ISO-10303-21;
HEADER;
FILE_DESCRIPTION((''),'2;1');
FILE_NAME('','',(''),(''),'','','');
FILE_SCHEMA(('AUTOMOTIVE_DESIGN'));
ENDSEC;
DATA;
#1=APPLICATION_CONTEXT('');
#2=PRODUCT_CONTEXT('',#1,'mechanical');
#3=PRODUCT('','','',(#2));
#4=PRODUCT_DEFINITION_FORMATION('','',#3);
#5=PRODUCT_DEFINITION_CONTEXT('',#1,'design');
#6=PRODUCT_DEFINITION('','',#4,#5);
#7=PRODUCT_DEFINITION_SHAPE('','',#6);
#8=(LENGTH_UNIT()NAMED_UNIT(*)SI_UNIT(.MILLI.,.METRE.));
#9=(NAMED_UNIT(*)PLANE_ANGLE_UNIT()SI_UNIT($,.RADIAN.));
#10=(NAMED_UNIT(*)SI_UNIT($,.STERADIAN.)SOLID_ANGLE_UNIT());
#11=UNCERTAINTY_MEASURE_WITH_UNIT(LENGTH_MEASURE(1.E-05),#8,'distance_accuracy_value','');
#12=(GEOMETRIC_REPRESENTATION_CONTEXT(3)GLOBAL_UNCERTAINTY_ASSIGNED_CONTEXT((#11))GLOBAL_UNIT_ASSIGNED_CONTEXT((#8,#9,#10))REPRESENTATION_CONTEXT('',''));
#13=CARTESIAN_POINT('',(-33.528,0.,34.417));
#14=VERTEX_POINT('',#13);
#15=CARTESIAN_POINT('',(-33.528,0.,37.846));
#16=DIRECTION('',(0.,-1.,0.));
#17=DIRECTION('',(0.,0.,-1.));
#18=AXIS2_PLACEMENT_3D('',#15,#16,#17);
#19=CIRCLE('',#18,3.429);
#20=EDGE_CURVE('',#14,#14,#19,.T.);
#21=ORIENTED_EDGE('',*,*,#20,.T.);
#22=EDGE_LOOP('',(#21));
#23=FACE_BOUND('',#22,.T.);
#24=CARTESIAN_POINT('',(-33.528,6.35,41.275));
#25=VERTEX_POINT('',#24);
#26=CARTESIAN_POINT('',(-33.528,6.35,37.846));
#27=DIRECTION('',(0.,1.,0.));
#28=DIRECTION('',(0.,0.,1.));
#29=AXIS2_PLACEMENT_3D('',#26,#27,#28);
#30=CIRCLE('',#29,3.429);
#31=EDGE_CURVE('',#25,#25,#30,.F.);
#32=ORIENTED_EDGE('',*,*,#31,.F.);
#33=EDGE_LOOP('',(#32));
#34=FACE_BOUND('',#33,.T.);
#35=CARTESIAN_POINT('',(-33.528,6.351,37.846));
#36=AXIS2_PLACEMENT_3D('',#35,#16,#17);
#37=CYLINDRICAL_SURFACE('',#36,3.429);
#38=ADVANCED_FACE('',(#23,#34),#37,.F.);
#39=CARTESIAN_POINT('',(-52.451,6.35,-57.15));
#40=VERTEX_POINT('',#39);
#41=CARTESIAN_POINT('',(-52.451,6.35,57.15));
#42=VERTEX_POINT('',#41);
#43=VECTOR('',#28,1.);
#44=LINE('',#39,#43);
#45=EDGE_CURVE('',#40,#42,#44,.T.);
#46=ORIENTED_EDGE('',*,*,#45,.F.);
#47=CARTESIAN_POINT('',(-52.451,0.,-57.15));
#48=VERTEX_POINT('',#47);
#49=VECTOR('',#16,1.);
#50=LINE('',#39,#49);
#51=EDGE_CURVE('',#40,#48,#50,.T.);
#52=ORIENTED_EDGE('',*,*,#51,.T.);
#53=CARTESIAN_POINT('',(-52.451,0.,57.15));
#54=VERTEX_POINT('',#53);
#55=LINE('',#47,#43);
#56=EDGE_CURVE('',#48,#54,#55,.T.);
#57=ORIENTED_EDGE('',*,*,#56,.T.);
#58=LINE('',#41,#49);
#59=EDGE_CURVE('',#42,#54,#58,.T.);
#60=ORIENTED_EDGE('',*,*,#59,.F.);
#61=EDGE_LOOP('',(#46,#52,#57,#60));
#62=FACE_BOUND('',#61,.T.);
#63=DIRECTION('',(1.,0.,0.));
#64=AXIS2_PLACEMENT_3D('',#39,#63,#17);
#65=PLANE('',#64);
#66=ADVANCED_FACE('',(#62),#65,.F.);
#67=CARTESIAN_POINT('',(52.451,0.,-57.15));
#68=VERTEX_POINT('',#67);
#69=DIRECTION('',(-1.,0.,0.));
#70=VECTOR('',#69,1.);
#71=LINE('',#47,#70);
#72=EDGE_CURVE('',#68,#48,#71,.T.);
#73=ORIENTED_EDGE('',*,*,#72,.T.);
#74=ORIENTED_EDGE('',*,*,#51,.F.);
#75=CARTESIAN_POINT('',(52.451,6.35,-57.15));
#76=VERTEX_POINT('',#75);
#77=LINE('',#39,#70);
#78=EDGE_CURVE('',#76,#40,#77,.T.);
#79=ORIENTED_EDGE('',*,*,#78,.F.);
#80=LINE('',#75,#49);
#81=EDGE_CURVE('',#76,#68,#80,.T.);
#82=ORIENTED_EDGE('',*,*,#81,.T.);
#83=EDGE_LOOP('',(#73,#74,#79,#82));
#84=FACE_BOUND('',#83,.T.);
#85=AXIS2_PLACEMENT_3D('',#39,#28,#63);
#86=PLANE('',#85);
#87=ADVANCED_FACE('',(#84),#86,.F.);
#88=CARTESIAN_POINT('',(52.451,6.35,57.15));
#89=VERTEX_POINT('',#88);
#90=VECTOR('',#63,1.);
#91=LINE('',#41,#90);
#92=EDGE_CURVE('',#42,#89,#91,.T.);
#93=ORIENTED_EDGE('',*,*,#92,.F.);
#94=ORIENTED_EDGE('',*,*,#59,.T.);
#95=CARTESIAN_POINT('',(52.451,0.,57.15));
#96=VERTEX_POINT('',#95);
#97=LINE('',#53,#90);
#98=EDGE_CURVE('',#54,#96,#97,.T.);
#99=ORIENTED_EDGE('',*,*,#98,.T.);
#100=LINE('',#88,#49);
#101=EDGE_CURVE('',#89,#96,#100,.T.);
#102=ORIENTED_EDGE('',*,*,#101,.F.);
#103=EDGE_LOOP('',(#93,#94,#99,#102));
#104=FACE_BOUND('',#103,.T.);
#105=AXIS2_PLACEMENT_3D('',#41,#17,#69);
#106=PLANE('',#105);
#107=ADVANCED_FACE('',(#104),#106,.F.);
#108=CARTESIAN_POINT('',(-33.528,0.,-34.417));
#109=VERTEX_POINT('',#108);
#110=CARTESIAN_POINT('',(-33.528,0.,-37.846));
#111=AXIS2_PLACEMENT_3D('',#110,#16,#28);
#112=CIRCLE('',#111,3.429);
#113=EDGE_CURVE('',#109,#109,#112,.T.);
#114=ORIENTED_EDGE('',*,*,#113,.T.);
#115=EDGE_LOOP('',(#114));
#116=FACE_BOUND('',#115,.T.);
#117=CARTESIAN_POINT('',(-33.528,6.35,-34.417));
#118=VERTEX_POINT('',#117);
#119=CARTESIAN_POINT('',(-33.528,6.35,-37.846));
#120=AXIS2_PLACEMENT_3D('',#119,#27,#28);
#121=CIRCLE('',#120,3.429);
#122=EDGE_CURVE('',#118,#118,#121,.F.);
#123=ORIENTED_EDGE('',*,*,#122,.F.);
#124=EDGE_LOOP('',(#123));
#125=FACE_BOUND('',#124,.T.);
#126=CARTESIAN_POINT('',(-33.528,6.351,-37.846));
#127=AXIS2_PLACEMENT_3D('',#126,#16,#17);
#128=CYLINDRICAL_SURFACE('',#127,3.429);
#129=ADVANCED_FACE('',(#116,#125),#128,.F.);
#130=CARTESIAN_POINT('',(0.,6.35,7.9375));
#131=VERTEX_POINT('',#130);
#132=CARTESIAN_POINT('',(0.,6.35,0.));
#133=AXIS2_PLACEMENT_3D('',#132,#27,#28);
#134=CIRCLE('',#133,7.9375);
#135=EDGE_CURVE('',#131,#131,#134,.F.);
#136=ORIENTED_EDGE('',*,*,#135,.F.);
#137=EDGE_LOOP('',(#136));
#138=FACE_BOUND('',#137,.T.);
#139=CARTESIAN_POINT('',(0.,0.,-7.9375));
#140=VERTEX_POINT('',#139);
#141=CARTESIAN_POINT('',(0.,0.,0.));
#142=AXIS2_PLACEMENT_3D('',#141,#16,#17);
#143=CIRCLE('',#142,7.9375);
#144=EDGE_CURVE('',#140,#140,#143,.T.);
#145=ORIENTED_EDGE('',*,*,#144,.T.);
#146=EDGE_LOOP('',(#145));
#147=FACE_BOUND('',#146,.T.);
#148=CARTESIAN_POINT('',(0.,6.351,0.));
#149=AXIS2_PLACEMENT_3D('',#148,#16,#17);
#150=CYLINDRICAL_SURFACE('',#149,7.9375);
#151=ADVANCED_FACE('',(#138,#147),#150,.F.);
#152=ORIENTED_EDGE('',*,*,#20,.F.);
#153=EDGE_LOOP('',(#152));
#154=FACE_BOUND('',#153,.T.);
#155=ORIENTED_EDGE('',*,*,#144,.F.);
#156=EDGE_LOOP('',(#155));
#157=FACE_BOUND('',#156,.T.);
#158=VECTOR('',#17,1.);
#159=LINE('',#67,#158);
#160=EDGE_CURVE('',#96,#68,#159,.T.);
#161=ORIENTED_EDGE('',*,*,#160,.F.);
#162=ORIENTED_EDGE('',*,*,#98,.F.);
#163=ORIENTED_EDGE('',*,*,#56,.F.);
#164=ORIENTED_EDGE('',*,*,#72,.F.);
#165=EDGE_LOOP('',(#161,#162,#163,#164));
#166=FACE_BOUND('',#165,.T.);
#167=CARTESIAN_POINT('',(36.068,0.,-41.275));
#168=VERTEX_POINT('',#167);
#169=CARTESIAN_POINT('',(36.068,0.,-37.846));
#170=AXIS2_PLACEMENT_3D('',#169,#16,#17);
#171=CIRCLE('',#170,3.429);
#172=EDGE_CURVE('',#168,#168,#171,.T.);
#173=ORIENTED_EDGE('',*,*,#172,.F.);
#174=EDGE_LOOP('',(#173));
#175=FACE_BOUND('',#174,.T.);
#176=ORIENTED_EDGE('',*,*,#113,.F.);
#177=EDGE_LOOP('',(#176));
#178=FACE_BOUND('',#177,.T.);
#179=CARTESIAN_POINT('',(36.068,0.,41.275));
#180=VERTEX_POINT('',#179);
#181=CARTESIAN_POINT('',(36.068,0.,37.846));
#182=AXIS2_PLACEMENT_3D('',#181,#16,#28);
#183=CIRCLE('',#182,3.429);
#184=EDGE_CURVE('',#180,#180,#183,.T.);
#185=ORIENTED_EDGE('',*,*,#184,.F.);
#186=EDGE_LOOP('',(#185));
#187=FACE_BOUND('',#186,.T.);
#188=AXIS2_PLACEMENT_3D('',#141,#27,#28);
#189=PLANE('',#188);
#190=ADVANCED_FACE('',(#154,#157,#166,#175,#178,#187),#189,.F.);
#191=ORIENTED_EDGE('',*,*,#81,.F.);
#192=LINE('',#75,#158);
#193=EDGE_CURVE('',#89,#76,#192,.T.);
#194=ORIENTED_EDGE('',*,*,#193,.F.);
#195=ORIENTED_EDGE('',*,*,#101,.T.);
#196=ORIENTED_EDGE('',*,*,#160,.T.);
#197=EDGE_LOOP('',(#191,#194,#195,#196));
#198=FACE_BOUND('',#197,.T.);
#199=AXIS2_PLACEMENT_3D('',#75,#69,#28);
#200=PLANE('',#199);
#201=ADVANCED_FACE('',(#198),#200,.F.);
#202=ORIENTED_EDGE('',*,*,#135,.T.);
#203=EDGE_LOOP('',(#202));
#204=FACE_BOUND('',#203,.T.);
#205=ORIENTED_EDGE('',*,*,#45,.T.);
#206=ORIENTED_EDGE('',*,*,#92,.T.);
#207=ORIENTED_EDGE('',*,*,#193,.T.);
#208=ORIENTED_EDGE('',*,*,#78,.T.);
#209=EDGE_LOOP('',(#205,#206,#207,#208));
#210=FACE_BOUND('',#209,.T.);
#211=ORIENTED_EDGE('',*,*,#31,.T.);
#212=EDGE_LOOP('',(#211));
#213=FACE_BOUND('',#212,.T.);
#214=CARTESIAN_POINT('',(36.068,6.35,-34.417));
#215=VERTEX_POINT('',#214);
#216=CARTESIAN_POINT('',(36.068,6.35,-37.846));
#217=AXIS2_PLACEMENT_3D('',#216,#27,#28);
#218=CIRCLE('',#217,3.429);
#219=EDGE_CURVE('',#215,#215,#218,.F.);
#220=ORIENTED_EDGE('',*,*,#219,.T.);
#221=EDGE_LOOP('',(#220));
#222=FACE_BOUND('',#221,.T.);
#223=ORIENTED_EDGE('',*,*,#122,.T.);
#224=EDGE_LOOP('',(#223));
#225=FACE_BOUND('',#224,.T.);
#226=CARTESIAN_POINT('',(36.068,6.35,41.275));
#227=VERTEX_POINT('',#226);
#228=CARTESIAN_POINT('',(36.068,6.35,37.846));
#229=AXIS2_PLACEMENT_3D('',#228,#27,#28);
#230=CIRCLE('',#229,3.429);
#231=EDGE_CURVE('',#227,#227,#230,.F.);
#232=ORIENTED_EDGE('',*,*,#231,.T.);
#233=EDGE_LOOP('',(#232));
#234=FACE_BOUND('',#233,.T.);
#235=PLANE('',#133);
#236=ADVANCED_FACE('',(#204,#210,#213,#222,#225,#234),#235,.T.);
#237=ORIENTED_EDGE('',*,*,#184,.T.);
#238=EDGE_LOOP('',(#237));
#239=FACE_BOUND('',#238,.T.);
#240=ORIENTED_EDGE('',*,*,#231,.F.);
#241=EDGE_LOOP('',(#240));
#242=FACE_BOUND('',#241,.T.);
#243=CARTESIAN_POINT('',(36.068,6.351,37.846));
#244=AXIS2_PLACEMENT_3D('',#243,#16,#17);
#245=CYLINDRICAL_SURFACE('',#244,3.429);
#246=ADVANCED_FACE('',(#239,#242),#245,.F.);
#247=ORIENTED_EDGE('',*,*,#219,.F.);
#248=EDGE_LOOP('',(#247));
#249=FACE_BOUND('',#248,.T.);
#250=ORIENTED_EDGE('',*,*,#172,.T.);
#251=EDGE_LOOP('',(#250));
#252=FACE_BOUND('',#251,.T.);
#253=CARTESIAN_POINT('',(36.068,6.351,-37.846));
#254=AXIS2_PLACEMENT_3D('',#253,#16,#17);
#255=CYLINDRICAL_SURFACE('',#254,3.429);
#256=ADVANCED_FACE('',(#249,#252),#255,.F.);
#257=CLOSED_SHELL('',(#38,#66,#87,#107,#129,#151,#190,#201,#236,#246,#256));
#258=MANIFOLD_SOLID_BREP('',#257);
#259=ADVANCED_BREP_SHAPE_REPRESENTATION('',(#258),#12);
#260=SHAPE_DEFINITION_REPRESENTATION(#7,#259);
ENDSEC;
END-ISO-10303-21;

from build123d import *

# Parameters (mm, degrees)
SKETCH1_W           = 104.902
SKETCH1_H           = 114.3
BOSS_EXTRUDE1_DEPTH = 6.35
CUT_EXTRUDE2_REACH  = 79.83
SKETCH3_R           = 3.429
CUT_EXTRUDE3_REACH  = 79.83
SKETCH4_R           = 7.9375


with BuildPart() as part:
    # Sketch1 → Boss-Extrude1 (new body)
    with BuildSketch(Plane(origin=(0, 0, 0), x_dir=(1, 0, 0), z_dir=(0, 1, 0))):
        Rectangle(SKETCH1_W, SKETCH1_H)
    extrude(amount=BOSS_EXTRUDE1_DEPTH)

    # Sketch3 → Cut-Extrude2 (cut, up to next)
    with BuildSketch(Plane.XZ, mode=Mode.PRIVATE) as cut_extrude2_sk1:
        with Locations(Location((-33.528, 37.846, 0), (0, 0, 270))):
            Circle(SKETCH3_R)
    cut_extrude2_tool1 = extrude(cut_extrude2_sk1.sketch, amount=-CUT_EXTRUDE2_REACH, mode=Mode.PRIVATE) & part.part
    # Sketch3 → Cut-Extrude2 (cut, up to next)
    with BuildSketch(Plane.XZ, mode=Mode.PRIVATE) as cut_extrude2_sk2:
        with Locations(Location((-33.528, -37.846, 0), (0, 0, 90))):
            Circle(SKETCH3_R)
    cut_extrude2_tool2 = extrude(cut_extrude2_sk2.sketch, amount=-CUT_EXTRUDE2_REACH, mode=Mode.PRIVATE) & part.part
    # Sketch3 → Cut-Extrude2 (cut, up to next)
    with BuildSketch(Plane.XZ, mode=Mode.PRIVATE) as cut_extrude2_sk3:
        with Locations(Location((36.068, 37.846, 0), (0, 0, 90))):
            Circle(SKETCH3_R)
    cut_extrude2_tool3 = extrude(cut_extrude2_sk3.sketch, amount=-CUT_EXTRUDE2_REACH, mode=Mode.PRIVATE) & part.part
    # Sketch3 → Cut-Extrude2 (cut, up to next)
    with BuildSketch(Plane.XZ, mode=Mode.PRIVATE) as cut_extrude2_sk4:
        with Locations(Location((36.068, -37.846, 0), (0, 0, 270))):
            Circle(SKETCH3_R)
    cut_extrude2_tool4 = extrude(cut_extrude2_sk4.sketch, amount=-CUT_EXTRUDE2_REACH, mode=Mode.PRIVATE) & part.part
    add(cut_extrude2_tool1.solids().sort_by_distance((-33.528, 0, 37.846))[0], mode=Mode.SUBTRACT)
    add(cut_extrude2_tool2.solids().sort_by_distance((-33.528, 0, -37.846))[0], mode=Mode.SUBTRACT)
    add(cut_extrude2_tool3.solids().sort_by_distance((36.068, 0, 37.846))[0], mode=Mode.SUBTRACT)
    add(cut_extrude2_tool4.solids().sort_by_distance((36.068, 0, -37.846))[0], mode=Mode.SUBTRACT)

    # Sketch4 → Cut-Extrude3 (cut, up to next)
    with BuildSketch(Plane.XZ, mode=Mode.PRIVATE) as cut_extrude3_sk1:
        with Locations(Location((0, 0, 0), (0, 0, 270))):
            Circle(SKETCH4_R)
    cut_extrude3_tool1 = extrude(cut_extrude3_sk1.sketch, amount=-CUT_EXTRUDE3_REACH, mode=Mode.PRIVATE) & part.part
    add(cut_extrude3_tool1.solids().sort_by_distance((0, 0, 0))[0], mode=Mode.SUBTRACT)


solid = part.part
